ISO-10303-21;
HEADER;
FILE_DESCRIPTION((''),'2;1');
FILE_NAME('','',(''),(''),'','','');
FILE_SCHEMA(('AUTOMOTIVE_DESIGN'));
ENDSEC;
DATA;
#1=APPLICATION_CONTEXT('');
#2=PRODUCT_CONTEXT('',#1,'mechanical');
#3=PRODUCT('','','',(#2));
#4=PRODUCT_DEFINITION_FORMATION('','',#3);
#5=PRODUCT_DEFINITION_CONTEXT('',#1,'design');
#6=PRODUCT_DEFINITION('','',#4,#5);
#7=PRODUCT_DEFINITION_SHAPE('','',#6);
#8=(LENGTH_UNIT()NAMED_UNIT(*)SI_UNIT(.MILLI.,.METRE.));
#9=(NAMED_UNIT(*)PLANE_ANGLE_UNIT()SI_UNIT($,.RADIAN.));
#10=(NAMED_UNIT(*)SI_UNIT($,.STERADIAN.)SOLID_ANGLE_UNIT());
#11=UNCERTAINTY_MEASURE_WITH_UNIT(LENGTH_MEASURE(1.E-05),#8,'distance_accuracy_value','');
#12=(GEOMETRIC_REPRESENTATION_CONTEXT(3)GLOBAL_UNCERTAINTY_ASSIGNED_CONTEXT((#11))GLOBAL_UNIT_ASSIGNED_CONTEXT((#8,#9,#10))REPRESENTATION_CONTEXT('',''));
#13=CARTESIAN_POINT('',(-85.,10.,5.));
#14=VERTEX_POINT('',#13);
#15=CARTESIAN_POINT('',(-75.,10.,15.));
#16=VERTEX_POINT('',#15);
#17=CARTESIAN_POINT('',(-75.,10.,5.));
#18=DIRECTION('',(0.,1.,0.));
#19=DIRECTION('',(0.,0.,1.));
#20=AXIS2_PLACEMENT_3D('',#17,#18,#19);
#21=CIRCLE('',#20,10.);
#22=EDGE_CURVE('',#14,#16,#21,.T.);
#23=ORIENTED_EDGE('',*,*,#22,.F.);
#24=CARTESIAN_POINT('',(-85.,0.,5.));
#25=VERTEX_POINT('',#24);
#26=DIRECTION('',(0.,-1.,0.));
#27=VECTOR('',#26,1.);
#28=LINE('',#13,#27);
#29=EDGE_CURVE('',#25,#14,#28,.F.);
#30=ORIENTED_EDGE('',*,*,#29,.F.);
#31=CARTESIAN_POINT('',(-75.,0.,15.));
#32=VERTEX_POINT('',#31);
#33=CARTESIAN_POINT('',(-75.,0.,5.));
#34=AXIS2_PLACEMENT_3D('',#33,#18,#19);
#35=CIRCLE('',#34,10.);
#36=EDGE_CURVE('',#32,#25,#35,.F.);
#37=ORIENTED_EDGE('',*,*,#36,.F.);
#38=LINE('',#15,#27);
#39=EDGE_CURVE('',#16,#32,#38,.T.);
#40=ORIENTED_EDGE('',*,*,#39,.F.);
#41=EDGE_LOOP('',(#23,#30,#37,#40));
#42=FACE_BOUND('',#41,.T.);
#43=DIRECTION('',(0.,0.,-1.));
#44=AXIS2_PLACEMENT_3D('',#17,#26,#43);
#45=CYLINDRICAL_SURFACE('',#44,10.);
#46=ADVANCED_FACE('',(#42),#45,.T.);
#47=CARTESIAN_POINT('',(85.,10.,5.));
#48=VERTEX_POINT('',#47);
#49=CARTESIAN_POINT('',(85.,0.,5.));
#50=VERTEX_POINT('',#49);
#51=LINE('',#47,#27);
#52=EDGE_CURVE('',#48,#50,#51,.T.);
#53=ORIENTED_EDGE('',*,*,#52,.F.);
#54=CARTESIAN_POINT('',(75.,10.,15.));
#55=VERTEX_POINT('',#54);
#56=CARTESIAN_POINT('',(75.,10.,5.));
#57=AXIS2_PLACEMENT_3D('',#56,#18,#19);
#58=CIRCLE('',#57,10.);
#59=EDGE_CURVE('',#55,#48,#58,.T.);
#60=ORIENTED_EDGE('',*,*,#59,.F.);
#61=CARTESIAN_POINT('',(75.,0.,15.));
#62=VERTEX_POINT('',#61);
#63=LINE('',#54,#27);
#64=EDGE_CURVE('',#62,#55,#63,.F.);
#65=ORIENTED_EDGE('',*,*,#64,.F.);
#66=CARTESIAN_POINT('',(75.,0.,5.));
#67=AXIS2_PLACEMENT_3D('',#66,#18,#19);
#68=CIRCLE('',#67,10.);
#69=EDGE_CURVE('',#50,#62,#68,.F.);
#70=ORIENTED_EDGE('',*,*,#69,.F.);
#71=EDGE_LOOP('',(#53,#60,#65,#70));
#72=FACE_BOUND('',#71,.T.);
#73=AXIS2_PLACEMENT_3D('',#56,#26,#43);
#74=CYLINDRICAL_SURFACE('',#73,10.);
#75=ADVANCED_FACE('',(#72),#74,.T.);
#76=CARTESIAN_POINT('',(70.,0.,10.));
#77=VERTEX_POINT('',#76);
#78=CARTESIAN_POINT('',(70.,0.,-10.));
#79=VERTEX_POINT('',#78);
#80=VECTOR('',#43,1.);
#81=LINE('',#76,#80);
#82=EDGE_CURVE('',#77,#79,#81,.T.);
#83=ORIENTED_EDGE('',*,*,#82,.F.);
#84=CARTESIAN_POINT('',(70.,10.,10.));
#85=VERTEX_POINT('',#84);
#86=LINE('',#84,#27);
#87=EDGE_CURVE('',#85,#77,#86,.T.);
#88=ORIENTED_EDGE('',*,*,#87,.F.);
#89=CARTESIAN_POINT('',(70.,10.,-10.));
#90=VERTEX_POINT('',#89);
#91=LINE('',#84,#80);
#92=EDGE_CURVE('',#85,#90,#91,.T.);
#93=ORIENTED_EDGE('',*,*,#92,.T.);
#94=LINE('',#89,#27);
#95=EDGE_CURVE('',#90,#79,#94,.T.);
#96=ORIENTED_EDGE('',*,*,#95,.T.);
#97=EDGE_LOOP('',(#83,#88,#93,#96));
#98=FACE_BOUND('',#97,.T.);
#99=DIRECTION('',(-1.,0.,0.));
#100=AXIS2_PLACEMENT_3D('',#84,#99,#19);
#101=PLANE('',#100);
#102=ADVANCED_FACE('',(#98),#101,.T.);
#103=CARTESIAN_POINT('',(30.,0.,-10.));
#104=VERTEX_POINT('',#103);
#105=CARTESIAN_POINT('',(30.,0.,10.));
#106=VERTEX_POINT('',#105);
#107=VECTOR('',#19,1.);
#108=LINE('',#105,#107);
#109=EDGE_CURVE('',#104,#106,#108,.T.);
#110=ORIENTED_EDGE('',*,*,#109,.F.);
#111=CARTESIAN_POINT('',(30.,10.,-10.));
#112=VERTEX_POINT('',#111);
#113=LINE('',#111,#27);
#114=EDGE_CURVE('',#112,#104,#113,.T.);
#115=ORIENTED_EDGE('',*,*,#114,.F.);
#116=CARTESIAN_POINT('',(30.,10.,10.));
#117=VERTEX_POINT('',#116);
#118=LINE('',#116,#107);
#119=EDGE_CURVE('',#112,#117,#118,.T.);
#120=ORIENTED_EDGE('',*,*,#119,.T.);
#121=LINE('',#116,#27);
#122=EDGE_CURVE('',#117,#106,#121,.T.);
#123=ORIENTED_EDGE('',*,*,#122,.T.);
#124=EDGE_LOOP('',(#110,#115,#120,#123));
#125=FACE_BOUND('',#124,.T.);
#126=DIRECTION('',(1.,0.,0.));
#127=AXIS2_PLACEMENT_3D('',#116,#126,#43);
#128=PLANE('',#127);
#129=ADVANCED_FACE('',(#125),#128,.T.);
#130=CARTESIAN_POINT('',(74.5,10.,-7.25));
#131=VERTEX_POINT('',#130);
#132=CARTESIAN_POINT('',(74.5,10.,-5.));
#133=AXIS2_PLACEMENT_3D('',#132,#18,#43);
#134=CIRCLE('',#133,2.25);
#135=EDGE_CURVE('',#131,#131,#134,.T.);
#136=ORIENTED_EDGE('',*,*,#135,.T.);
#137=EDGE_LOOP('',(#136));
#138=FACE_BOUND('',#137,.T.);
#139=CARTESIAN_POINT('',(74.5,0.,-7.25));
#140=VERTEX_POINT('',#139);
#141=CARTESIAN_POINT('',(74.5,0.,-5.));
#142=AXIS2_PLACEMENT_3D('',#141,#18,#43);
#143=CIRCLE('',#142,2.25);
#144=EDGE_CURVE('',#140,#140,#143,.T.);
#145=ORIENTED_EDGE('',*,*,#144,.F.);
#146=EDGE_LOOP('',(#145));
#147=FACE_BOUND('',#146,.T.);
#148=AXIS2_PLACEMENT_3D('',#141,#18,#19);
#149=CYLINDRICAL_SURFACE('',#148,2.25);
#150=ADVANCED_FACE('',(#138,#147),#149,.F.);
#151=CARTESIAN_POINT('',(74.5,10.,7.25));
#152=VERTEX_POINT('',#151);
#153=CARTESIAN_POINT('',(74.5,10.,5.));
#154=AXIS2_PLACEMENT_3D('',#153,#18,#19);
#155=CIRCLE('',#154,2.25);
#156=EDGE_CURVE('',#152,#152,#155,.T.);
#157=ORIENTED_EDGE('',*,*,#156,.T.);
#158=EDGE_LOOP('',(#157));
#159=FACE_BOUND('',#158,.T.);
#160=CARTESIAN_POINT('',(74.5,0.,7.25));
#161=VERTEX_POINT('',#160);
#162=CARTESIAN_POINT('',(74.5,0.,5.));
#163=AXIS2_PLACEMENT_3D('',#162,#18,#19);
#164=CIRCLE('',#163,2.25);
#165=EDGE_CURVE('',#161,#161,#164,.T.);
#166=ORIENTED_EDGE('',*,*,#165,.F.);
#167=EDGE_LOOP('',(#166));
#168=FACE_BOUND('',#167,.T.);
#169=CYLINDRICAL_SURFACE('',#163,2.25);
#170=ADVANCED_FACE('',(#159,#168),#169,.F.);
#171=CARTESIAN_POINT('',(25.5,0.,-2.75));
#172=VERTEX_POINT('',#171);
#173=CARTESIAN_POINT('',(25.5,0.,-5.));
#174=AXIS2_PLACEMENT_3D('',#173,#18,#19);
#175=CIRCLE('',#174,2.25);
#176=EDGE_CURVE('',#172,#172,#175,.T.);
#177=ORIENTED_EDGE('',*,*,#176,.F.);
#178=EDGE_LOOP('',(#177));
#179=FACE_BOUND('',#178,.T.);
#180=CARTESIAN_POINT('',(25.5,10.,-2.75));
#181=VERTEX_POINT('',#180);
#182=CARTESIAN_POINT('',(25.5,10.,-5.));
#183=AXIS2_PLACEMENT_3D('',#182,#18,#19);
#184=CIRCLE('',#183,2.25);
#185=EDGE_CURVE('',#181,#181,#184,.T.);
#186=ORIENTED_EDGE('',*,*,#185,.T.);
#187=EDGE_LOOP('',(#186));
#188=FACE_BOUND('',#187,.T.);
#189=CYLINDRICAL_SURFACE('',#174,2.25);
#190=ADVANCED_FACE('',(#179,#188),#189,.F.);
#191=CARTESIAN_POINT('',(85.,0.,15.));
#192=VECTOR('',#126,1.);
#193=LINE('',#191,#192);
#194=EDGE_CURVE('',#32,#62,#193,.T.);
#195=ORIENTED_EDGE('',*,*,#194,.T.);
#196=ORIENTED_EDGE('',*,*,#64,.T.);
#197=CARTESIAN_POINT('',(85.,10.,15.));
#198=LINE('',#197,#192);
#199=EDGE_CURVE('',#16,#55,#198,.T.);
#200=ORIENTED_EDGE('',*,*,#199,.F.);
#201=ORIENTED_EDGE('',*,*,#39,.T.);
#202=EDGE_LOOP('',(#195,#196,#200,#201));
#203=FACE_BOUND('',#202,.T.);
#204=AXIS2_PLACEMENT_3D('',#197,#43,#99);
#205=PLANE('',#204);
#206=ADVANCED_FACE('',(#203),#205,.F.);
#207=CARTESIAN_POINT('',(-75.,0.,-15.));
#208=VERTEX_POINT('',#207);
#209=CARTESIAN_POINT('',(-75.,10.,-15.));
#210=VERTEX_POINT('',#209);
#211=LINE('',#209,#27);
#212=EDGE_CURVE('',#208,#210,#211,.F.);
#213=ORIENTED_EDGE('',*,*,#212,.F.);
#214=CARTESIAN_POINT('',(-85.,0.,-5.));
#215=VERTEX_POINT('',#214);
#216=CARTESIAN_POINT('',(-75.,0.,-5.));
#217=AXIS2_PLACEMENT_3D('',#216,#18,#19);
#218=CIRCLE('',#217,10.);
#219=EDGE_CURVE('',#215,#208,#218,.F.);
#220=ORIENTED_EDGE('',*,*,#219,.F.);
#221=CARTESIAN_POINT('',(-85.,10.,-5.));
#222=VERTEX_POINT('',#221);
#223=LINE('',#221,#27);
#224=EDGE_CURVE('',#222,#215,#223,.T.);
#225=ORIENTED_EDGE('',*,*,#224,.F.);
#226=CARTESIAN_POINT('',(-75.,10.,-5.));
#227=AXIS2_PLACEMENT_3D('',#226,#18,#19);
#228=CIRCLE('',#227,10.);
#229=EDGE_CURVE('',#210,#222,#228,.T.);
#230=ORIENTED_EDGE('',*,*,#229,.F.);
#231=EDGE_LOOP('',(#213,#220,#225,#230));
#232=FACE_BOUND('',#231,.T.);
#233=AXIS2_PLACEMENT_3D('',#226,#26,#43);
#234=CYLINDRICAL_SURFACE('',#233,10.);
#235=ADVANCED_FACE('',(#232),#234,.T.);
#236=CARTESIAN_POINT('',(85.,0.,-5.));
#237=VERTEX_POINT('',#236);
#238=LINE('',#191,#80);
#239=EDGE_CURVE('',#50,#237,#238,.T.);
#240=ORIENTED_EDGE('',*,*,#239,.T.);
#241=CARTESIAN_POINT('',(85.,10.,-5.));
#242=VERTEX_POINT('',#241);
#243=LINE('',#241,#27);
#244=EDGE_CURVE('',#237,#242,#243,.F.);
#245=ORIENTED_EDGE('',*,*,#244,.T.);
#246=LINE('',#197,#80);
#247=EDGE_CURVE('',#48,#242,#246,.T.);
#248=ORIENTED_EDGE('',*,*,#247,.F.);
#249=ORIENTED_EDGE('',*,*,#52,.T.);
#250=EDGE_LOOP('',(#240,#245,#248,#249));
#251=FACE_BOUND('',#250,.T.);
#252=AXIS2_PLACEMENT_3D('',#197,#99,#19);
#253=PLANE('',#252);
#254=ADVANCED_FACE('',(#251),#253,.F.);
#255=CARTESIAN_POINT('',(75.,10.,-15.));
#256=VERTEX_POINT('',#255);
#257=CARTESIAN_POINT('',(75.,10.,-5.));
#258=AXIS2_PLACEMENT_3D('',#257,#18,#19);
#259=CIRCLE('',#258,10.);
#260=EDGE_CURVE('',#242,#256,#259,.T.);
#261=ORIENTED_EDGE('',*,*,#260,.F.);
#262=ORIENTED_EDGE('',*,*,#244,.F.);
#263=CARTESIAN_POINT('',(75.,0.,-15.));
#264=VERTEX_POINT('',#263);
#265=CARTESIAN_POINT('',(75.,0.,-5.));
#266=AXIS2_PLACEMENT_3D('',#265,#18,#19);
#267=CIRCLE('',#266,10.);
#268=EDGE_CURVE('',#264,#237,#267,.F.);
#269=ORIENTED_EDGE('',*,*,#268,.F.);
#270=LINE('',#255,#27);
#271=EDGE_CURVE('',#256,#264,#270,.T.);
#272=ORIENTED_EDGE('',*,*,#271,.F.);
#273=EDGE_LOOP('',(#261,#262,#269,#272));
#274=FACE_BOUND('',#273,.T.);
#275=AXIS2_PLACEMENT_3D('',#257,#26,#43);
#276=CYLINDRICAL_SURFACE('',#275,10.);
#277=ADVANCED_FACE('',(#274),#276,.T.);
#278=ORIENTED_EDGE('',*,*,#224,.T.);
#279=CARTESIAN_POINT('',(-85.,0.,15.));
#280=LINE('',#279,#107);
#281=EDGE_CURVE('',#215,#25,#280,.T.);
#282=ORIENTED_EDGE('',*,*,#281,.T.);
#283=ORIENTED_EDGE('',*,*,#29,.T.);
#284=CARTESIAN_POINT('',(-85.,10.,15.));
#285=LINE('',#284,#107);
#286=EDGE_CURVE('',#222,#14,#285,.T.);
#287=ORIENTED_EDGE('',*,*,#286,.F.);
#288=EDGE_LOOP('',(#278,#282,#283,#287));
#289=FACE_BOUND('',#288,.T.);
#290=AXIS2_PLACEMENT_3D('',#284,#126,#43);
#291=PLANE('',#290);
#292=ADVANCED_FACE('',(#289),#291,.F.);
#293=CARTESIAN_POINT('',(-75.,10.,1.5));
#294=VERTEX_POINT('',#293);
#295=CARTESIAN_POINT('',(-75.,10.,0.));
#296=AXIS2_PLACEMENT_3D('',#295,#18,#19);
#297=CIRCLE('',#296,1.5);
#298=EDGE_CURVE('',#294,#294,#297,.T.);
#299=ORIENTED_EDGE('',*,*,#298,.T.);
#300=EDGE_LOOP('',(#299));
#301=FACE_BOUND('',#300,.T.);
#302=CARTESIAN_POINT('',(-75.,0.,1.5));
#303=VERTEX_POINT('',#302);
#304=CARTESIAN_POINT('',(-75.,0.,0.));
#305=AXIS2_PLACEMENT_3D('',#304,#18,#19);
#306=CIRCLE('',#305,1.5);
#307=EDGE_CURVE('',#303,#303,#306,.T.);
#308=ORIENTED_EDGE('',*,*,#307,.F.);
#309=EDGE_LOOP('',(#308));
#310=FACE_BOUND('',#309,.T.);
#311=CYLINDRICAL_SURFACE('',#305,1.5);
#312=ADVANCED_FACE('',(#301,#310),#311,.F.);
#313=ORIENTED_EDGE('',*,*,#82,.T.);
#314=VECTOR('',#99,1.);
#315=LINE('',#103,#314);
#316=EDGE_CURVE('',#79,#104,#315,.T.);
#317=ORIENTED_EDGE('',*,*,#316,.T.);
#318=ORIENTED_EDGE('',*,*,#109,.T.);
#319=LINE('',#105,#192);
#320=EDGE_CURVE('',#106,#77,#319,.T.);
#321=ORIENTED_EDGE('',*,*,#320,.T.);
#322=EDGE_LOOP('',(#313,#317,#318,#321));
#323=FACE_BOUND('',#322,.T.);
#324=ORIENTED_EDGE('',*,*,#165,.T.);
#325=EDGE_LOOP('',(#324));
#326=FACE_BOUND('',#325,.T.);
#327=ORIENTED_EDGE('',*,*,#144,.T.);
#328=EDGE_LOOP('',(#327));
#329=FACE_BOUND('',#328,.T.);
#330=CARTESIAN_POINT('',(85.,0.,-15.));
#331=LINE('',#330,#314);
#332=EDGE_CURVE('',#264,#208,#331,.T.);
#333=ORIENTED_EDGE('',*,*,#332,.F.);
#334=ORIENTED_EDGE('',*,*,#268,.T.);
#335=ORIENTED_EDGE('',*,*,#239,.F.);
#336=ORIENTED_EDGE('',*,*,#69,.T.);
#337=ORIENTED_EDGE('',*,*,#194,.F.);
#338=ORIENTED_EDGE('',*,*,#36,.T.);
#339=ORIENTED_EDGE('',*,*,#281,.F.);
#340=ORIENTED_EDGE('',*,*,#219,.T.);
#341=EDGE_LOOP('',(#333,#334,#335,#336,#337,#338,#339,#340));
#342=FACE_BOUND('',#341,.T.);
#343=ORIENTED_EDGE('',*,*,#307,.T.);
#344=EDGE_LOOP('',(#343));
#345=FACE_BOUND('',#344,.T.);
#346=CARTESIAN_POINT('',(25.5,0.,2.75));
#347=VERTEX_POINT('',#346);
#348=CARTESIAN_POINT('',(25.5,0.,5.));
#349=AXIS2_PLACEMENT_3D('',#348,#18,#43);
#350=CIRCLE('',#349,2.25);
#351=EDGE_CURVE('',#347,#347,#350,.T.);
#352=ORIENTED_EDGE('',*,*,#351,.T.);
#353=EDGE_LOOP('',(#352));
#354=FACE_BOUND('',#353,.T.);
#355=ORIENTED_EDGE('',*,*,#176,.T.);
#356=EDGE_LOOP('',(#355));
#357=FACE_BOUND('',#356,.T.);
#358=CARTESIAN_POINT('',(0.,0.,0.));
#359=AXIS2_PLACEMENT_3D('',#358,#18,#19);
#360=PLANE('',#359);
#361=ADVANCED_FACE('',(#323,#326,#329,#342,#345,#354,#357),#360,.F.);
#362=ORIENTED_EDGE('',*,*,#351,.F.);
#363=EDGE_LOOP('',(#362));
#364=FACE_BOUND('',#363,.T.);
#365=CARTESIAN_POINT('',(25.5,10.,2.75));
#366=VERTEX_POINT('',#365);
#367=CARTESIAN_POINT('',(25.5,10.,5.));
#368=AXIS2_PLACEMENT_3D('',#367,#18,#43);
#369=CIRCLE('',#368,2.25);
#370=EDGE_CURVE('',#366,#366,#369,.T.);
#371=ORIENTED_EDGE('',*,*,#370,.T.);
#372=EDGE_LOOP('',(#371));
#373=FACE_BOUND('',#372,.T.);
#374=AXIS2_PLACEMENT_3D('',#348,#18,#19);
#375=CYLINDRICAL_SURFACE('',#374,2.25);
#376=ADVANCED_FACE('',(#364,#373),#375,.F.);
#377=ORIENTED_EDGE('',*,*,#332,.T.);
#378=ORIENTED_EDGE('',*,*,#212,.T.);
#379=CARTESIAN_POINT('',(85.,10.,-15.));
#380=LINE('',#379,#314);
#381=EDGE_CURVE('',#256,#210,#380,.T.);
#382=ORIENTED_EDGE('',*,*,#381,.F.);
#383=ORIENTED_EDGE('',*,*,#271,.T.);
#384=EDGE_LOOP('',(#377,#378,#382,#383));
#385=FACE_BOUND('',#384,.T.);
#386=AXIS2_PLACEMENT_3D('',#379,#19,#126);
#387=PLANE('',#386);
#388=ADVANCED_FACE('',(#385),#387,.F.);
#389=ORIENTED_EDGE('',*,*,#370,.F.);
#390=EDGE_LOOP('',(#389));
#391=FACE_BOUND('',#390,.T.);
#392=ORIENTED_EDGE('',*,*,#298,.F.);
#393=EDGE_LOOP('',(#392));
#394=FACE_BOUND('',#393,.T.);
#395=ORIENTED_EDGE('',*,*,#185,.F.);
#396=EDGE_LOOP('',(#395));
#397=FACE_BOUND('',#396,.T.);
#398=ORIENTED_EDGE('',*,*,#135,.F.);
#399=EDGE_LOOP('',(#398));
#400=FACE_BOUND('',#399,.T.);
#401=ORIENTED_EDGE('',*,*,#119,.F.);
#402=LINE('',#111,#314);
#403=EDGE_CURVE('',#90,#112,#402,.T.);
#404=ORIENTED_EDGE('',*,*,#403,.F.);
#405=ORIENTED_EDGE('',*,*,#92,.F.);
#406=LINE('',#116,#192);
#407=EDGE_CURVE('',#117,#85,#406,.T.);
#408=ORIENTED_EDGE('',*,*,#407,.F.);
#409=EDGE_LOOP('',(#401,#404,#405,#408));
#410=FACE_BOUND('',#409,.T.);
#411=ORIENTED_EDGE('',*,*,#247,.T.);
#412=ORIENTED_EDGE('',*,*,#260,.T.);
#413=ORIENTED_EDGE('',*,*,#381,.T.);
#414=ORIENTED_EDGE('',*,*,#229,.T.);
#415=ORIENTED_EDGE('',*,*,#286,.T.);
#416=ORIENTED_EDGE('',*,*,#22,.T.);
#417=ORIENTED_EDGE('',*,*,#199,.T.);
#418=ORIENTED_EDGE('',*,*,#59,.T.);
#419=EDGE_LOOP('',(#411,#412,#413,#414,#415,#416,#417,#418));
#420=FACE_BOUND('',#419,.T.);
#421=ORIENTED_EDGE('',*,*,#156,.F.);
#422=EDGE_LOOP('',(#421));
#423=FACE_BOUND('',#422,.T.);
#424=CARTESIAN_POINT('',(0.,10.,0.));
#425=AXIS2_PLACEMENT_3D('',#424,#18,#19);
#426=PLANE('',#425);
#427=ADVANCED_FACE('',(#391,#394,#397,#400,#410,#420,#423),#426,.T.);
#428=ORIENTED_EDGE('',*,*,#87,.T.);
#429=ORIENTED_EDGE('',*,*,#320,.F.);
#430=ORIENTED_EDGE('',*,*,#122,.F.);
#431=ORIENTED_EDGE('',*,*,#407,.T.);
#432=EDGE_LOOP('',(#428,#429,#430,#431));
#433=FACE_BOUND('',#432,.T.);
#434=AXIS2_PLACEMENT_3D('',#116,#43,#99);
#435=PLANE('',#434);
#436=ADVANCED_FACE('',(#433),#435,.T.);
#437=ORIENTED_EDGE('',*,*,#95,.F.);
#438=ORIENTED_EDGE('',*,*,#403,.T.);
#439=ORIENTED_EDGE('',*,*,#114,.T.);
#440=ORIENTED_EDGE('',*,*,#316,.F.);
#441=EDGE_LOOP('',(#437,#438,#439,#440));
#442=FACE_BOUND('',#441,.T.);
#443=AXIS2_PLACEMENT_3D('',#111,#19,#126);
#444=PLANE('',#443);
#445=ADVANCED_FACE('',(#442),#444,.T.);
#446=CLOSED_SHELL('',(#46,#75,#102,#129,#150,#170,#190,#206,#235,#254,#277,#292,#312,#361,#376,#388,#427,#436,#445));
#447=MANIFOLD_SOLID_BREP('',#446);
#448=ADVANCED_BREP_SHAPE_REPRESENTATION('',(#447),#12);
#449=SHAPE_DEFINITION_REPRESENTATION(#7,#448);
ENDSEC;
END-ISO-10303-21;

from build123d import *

# Parameters (mm, degrees)
CROQUIS1_W              = 170
CROQUIS1_H              = 30
CROQUIS1_W_2            = 40
CROQUIS1_H_2            = 20
SALIENTE_EXTRUIR1_DEPTH = 10
CROQUIS2_R              = 2.25
CORTAR_EXTRUIR1_DEPTH   = 10
REDONDEO3_R             = 10
CROQUIS3_R              = 1.5
CORTAR_EXTRUIR2_DEPTH   = 10


with BuildPart() as part:
    # Croquis1 → Saliente-Extruir1 (new body)
    with BuildSketch(Plane(origin=(0, 0, 0), x_dir=(1, 0, 0), z_dir=(0, 1, 0))):
        Rectangle(CROQUIS1_W, CROQUIS1_H)
        with Locations((50, 0)):
            Rectangle(CROQUIS1_W_2, CROQUIS1_H_2, mode=Mode.SUBTRACT)
    extrude(amount=SALIENTE_EXTRUIR1_DEPTH)

    # Croquis2 → Cortar-Extruir1 (cut)
    with BuildSketch(Plane(origin=(0, 10, 0), x_dir=(1, 0, 0), z_dir=(0, 1, 0))):
        with Locations(Location((74.5, -5, 0), (0, 0, 270))):
            Circle(CROQUIS2_R)
        with Locations(Location((74.5, 5, 0), (0, 0, 90))):
            Circle(CROQUIS2_R)
        with Locations(Location((25.5, -5, 0), (0, 0, 90))):
            Circle(CROQUIS2_R)
        with Locations(Location((25.5, 5, 0), (0, 0, 270))):
            Circle(CROQUIS2_R)
    extrude(amount=-CORTAR_EXTRUIR1_DEPTH, mode=Mode.SUBTRACT)

    # Redondeo3
    redondeo3_edges = [part.edges().sort_by_distance(p)[0] for p in [
        (-85, 5, -15),
        (85, 5, -15),
        (85, 5, 15),
        (-85, 5, 15),
    ]]
    fillet(redondeo3_edges, radius=REDONDEO3_R)

    # Croquis3 → Cortar-Extruir2 (cut)
    with BuildSketch(Plane(origin=(0, 10, 0), x_dir=(1, 0, 0), z_dir=(0, 1, 0))):
        with Locations(Location((-75, 0, 0), (0, 0, 270))):
            Circle(CROQUIS3_R)
    extrude(amount=-CORTAR_EXTRUIR2_DEPTH, mode=Mode.SUBTRACT)


solid = part.part
